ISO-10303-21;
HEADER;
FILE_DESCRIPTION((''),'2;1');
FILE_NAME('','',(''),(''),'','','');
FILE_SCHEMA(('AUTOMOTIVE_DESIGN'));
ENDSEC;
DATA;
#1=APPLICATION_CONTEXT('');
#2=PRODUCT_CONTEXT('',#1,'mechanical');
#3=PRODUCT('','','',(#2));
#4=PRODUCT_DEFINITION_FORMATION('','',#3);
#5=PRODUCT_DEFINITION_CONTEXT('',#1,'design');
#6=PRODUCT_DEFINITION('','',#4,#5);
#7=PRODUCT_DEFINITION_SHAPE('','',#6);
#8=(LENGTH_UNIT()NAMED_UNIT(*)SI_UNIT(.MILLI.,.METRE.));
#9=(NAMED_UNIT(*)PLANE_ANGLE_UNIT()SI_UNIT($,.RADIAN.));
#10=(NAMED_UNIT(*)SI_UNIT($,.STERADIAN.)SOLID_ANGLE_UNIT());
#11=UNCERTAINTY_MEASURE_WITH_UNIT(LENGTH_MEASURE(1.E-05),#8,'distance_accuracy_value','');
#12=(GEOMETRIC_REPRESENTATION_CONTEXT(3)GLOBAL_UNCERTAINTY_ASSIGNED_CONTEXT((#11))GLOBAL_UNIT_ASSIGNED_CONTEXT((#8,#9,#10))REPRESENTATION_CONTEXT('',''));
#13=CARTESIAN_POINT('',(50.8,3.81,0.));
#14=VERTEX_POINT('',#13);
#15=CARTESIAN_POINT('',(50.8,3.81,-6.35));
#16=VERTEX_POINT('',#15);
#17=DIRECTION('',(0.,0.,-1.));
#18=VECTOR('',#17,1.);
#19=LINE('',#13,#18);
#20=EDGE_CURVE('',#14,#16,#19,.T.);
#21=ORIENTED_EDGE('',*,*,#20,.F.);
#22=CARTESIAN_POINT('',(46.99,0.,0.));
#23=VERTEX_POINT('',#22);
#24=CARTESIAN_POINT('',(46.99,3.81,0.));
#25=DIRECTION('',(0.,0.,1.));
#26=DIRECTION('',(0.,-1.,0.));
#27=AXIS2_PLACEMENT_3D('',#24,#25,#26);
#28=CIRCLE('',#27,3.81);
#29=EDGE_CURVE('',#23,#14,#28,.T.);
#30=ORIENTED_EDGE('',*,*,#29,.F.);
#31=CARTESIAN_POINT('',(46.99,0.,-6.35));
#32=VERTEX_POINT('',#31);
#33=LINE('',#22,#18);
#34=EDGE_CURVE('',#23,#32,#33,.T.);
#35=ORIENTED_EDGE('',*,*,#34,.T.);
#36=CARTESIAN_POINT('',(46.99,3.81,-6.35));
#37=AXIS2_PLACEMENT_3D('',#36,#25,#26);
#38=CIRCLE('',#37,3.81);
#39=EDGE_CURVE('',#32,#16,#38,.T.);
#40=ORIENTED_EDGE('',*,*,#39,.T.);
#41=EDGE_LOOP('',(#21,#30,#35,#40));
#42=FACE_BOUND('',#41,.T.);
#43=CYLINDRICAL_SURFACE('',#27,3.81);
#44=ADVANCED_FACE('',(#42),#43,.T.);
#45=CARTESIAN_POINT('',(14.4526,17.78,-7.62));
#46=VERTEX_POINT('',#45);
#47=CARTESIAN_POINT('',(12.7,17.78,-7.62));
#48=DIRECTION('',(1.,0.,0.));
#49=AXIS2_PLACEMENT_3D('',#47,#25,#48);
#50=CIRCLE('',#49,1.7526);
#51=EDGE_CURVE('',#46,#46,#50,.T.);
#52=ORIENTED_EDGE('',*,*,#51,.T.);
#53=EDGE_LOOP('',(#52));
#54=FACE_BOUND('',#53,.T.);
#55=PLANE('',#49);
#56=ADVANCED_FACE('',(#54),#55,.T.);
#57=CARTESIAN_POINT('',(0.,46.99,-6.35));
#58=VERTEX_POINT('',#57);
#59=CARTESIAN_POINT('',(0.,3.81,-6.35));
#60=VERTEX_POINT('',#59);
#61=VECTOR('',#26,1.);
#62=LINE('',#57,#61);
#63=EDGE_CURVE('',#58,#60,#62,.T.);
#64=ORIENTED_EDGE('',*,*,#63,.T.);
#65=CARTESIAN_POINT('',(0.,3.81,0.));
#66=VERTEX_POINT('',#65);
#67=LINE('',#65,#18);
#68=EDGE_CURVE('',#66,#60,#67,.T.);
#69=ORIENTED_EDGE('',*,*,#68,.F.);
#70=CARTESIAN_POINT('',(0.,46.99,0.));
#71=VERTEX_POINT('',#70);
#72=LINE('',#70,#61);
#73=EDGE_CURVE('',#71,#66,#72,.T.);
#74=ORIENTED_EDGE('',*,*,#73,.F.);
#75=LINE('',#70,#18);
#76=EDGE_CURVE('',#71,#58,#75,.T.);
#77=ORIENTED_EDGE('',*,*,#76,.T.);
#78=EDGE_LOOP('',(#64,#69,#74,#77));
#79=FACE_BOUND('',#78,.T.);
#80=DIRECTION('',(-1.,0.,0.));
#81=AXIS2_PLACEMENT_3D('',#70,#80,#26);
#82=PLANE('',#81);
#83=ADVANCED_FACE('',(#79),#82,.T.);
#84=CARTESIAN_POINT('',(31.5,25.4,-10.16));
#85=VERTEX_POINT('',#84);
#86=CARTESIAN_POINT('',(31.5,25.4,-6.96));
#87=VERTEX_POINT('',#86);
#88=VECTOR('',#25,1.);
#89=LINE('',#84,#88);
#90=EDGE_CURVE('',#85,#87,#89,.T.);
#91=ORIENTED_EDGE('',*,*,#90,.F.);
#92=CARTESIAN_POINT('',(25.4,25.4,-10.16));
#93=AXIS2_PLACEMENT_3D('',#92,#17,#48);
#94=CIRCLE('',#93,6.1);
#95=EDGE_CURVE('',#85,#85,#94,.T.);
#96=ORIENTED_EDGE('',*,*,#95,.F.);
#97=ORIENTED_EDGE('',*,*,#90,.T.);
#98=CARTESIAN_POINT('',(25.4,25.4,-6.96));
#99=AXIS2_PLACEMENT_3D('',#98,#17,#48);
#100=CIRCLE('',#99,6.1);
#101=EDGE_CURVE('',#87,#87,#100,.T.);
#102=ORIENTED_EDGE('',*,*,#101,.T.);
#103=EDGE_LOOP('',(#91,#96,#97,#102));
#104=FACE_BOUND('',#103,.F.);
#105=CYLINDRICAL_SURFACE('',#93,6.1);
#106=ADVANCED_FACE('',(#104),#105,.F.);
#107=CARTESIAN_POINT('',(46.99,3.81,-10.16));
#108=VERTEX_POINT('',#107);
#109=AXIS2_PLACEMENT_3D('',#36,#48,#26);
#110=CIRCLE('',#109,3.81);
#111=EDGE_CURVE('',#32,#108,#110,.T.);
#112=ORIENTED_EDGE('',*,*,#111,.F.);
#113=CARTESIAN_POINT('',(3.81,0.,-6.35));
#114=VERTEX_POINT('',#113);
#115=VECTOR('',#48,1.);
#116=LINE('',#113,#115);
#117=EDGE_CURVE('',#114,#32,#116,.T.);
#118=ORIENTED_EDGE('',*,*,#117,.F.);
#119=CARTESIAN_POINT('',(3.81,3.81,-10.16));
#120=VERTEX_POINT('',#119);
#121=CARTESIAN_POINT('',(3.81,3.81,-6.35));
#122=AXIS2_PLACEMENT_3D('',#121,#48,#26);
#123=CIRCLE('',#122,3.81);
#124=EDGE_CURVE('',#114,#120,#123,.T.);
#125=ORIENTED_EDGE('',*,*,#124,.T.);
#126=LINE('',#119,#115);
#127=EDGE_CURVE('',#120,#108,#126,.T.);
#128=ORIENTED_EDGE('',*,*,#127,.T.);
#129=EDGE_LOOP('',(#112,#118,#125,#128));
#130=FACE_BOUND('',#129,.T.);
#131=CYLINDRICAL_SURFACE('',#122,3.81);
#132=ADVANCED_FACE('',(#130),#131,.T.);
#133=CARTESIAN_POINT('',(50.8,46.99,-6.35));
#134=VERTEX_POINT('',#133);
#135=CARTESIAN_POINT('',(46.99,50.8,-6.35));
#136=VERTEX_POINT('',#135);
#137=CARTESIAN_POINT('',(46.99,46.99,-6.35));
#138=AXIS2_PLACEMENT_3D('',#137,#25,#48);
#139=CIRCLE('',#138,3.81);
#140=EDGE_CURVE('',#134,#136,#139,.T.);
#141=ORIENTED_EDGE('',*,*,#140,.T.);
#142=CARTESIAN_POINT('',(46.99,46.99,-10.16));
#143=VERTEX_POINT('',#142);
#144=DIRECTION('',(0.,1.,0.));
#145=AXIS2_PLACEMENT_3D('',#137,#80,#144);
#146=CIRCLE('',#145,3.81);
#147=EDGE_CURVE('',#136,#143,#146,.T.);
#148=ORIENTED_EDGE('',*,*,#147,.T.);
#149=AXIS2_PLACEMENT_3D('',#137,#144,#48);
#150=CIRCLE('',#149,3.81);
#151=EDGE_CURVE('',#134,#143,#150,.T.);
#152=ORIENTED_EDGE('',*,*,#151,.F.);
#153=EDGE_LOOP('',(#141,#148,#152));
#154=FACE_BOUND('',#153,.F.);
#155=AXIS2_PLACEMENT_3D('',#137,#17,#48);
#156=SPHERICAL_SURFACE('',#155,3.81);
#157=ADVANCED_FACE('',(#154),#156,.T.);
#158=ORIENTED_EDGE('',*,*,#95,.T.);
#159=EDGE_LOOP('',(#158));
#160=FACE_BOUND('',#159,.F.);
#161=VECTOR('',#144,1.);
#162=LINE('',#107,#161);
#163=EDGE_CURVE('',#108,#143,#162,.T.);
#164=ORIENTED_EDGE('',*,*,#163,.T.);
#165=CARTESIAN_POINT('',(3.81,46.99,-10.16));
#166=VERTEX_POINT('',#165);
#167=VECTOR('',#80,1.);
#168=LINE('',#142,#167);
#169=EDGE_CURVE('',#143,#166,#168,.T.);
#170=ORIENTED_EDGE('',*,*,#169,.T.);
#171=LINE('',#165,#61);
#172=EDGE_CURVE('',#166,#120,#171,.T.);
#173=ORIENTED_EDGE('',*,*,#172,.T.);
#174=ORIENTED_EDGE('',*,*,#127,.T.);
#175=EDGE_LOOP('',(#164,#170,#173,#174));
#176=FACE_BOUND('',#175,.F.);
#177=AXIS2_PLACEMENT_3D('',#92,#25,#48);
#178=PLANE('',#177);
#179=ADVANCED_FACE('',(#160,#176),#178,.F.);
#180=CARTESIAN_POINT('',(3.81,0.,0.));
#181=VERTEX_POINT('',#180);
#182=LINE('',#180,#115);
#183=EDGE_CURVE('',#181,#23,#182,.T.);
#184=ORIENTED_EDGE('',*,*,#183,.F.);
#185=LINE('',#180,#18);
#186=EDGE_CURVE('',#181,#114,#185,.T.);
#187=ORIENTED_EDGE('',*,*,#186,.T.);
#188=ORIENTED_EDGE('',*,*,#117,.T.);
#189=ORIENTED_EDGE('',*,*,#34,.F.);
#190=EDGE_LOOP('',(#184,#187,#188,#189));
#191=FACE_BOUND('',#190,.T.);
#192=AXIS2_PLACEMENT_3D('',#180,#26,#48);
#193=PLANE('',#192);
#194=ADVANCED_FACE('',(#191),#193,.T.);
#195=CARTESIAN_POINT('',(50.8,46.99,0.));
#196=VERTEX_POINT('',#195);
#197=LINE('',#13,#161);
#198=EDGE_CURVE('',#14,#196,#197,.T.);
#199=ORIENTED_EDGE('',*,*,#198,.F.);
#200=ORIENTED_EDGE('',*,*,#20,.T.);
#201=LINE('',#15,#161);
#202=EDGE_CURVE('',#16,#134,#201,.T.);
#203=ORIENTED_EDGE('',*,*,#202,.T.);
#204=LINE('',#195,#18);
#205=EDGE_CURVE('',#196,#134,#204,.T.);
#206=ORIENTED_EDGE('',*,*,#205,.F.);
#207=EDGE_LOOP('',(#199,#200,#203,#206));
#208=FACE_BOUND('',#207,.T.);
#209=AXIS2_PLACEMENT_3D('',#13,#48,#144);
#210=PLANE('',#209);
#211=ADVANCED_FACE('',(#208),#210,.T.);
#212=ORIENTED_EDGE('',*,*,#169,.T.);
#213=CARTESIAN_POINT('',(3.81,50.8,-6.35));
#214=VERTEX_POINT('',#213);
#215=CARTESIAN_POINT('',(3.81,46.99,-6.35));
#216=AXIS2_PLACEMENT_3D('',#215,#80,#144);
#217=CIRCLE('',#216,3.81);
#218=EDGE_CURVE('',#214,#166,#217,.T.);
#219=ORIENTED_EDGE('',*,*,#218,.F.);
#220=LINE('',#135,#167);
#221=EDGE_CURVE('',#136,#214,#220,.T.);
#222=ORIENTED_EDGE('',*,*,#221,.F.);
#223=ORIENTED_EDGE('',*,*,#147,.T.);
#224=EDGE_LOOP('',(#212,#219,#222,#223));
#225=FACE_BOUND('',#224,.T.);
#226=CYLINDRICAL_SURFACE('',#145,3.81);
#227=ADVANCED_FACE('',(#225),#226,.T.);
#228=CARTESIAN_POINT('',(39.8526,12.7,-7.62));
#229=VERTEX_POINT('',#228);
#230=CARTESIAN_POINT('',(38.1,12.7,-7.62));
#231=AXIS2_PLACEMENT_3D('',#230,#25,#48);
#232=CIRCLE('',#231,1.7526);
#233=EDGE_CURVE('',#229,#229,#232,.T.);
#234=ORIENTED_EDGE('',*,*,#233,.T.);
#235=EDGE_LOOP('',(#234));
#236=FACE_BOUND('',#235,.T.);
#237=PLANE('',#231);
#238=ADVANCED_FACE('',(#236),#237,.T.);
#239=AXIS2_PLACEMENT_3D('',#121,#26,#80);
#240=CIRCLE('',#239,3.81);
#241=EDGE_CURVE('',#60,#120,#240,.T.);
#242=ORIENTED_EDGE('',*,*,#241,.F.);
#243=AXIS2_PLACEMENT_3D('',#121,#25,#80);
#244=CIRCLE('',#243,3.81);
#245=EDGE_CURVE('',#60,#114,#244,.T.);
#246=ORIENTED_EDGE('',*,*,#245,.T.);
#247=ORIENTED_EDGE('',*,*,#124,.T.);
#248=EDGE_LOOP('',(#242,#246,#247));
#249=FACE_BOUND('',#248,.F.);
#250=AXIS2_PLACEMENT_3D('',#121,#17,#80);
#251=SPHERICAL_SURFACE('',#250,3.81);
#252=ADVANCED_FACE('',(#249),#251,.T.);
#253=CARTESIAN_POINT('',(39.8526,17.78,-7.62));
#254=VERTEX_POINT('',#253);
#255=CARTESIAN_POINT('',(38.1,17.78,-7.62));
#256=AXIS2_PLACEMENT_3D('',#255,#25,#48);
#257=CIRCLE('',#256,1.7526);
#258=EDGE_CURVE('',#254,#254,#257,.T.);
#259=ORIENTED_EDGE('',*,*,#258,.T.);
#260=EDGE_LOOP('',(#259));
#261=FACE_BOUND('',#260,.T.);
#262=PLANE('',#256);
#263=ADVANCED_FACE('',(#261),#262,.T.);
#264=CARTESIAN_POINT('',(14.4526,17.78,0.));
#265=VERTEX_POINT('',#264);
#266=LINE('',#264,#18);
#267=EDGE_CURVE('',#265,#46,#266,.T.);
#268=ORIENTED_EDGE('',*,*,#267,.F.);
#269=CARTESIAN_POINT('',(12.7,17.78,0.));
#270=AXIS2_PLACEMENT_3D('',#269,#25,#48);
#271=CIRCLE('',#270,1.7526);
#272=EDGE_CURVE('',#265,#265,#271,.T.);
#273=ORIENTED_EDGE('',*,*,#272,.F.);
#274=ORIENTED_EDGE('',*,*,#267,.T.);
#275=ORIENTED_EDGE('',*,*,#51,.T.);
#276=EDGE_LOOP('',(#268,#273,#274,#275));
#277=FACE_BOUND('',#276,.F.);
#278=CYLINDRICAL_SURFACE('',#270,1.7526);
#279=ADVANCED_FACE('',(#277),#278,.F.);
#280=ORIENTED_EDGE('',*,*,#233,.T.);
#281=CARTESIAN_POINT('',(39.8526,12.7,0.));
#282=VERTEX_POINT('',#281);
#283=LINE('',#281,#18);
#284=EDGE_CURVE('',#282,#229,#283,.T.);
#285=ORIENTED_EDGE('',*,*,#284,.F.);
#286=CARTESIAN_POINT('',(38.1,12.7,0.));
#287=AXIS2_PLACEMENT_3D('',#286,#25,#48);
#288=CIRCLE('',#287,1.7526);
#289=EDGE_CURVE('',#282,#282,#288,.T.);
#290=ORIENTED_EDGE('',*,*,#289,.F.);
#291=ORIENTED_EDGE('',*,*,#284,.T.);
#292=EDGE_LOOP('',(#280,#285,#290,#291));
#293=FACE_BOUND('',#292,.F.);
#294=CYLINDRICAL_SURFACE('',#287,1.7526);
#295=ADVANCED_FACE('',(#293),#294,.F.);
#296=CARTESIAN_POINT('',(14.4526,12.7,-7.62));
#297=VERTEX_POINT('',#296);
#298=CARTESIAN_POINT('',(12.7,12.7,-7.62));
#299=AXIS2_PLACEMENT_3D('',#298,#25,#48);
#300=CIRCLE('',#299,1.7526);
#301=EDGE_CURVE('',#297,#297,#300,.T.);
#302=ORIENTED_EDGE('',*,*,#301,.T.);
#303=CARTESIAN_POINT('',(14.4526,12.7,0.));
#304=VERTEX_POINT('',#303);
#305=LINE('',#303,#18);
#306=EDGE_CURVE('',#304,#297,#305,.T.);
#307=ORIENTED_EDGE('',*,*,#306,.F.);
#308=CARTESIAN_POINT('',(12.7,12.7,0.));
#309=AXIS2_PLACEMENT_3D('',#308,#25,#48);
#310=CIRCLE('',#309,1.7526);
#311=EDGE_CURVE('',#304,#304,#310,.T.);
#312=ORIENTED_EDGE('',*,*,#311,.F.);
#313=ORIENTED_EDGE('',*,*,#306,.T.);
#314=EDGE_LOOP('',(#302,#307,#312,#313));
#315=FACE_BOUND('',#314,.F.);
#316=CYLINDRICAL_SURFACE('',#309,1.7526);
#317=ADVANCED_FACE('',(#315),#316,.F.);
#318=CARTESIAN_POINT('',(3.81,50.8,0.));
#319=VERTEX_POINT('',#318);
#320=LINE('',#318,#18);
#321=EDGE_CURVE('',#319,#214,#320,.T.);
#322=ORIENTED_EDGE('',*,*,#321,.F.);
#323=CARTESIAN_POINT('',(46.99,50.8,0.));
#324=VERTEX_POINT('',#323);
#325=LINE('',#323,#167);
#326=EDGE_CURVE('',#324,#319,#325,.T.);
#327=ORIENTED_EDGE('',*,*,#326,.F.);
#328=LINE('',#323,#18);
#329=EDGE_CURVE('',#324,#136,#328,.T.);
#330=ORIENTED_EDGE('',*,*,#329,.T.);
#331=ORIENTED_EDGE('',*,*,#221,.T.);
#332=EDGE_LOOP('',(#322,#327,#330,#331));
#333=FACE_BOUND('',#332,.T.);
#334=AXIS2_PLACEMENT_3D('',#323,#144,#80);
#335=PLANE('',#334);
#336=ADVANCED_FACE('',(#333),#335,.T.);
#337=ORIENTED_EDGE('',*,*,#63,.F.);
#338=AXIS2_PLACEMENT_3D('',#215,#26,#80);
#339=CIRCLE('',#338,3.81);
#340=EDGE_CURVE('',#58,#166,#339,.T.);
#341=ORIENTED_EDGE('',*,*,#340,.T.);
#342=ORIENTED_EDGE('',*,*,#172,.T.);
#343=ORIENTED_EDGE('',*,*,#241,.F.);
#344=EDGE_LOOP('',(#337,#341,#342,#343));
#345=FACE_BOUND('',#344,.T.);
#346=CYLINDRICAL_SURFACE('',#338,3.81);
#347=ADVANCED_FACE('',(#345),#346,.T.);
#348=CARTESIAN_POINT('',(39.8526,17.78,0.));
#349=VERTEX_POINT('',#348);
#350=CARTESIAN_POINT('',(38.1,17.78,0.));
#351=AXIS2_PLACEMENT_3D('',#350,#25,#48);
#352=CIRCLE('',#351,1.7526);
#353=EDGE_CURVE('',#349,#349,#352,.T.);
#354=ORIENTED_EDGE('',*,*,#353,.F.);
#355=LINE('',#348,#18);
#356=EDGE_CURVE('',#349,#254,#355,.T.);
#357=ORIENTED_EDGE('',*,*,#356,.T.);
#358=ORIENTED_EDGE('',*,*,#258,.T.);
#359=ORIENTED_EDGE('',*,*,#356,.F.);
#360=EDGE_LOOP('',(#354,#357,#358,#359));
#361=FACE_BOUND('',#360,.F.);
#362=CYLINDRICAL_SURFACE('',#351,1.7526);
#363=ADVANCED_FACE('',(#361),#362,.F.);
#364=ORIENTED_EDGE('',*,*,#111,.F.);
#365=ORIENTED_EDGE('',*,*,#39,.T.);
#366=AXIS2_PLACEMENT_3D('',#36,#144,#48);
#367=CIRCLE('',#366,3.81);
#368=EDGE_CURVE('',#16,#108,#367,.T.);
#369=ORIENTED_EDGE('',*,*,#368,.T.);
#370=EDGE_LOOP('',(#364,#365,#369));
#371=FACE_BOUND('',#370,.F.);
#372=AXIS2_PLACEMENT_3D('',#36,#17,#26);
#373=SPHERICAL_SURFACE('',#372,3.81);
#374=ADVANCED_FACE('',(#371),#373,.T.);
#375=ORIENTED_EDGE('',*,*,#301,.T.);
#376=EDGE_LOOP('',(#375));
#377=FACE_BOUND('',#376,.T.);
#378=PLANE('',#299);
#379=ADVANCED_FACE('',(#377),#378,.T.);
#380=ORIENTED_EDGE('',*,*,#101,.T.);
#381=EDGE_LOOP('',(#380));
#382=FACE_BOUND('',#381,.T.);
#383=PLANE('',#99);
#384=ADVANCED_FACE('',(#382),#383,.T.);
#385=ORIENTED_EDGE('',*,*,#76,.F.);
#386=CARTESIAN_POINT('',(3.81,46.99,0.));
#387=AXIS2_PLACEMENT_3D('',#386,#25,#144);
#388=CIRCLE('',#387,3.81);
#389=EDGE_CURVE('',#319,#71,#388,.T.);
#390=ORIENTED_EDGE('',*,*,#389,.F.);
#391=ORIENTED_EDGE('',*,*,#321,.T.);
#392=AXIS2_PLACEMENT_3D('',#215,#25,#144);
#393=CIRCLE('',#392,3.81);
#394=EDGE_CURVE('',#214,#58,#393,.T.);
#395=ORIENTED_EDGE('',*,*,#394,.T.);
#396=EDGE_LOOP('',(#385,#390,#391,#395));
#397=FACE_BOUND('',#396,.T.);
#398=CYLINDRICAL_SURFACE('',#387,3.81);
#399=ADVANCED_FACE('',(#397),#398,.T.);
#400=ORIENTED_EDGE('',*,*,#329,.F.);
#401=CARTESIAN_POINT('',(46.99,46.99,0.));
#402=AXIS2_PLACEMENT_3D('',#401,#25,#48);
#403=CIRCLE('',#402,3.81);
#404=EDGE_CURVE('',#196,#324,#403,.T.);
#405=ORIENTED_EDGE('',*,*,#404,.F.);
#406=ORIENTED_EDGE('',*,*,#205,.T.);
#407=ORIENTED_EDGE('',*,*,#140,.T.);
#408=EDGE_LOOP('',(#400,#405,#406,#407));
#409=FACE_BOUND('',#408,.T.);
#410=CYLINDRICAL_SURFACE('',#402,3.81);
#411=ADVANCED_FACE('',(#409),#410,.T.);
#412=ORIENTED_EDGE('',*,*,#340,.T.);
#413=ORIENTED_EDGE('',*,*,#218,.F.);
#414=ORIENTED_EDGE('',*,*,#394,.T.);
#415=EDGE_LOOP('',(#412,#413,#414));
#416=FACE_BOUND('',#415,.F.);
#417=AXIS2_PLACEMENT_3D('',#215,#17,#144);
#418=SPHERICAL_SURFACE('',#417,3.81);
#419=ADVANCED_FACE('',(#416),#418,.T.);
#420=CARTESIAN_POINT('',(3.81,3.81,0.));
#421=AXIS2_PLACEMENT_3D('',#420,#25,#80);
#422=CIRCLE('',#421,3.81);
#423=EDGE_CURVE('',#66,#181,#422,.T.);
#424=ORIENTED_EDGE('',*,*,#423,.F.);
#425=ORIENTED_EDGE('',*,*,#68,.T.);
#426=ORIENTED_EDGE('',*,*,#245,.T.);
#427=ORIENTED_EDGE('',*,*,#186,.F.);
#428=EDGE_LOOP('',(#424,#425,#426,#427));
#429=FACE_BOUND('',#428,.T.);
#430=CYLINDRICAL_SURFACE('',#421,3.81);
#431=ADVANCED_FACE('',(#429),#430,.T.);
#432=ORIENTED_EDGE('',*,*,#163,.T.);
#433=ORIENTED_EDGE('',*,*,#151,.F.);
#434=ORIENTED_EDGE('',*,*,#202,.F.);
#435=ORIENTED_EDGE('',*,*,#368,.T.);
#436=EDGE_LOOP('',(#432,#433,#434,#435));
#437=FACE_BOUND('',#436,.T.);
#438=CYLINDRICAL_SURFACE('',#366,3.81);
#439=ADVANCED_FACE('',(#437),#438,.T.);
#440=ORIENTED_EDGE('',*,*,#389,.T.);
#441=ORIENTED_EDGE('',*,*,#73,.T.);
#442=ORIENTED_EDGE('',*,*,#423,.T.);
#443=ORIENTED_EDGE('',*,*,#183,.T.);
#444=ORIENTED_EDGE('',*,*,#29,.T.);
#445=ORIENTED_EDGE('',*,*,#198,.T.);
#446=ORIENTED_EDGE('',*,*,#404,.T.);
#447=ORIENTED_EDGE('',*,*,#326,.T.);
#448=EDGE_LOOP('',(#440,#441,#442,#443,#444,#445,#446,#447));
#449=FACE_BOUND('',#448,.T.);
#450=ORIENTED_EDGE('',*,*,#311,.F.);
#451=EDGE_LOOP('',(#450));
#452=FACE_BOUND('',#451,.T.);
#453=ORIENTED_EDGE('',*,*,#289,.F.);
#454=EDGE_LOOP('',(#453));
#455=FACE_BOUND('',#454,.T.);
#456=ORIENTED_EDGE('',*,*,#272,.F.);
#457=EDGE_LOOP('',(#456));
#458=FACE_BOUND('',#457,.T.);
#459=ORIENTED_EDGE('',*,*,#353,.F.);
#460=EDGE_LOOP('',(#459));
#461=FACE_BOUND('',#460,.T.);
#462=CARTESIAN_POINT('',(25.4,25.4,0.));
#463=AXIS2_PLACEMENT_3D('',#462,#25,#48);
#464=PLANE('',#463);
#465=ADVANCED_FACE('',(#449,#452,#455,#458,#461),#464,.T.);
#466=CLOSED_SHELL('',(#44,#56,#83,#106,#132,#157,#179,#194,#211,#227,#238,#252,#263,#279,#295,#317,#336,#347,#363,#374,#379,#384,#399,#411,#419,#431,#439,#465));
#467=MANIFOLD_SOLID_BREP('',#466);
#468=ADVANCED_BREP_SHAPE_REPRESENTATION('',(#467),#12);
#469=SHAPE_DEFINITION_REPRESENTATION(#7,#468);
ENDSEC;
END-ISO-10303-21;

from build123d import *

# Parameters (mm, degrees)
F0_R     = 1.7526
F1_DEPTH = 10.16
F2_DEPTH = 7.62
F3_R     = 6.1
F4_DEPTH = 3.2
F5_R     = 3.81


with BuildPart() as f1:
    # F0 (on Top) → F1 (new body)
    with BuildSketch(Plane.XY):
        with BuildLine():
            ThreePointArc((0, 3.81), (1.1159231637, 1.1159231637), (3.81, 0))
            Line((3.81, 0), (46.99, 0))
            ThreePointArc((46.99, 0), (49.6840768363, 1.1159231637), (50.8, 3.81))
            Line((50.8, 3.81), (50.8, 46.99))
            ThreePointArc((50.8, 46.99), (49.6840768363, 49.6840768363), (46.99, 50.8))
            Line((46.99, 50.8), (3.81, 50.8))
            ThreePointArc((3.81, 50.8), (1.1159231637, 49.6840768363), (0, 46.99))
            Line((0, 46.99), (0, 3.81))
        make_face()
        with Locations((12.7, 12.7)):
            Circle(F0_R, mode=Mode.SUBTRACT)
        with Locations((12.7, 17.78)):
            Circle(F0_R, mode=Mode.SUBTRACT)
        with Locations((38.1, 12.7)):
            Circle(F0_R, mode=Mode.SUBTRACT)
        with Locations((38.1, 17.78)):
            Circle(F0_R, mode=Mode.SUBTRACT)
        with Locations((12.7, 17.78)):
            Circle(F0_R)
        with Locations((38.1, 17.78)):
            Circle(F0_R)
        with Locations((12.7, 12.7)):
            Circle(F0_R)
        with Locations((38.1, 12.7)):
            Circle(F0_R)
    extrude(amount=-F1_DEPTH)

    # F0 (on Top) → F2 (cut)
    with BuildSketch(Plane.XY):
        with Locations((12.7, 17.78)):
            Circle(F0_R)
        with Locations((38.1, 17.78)):
            Circle(F0_R)
        with Locations((38.1, 12.7)):
            Circle(F0_R)
        with Locations((12.7, 12.7)):
            Circle(F0_R)
    extrude(amount=-F2_DEPTH, mode=Mode.SUBTRACT)

    # F3 (on face) → F4 (cut)
    with BuildSketch(Plane(origin=(0, 0, -10.16), x_dir=(1, 0, 0), z_dir=(0, 0, -1))):
        with Locations((25.4, -25.4)):
            Circle(F3_R)
    extrude(amount=-F4_DEPTH, mode=Mode.SUBTRACT)

    # F5
    f5_edges = [f1.edges().sort_by_distance(p)[0] for p in [
        (25.4, 0, -10.16),
    ]]
    fillet(f5_edges, radius=F5_R)


solid = f1.part
